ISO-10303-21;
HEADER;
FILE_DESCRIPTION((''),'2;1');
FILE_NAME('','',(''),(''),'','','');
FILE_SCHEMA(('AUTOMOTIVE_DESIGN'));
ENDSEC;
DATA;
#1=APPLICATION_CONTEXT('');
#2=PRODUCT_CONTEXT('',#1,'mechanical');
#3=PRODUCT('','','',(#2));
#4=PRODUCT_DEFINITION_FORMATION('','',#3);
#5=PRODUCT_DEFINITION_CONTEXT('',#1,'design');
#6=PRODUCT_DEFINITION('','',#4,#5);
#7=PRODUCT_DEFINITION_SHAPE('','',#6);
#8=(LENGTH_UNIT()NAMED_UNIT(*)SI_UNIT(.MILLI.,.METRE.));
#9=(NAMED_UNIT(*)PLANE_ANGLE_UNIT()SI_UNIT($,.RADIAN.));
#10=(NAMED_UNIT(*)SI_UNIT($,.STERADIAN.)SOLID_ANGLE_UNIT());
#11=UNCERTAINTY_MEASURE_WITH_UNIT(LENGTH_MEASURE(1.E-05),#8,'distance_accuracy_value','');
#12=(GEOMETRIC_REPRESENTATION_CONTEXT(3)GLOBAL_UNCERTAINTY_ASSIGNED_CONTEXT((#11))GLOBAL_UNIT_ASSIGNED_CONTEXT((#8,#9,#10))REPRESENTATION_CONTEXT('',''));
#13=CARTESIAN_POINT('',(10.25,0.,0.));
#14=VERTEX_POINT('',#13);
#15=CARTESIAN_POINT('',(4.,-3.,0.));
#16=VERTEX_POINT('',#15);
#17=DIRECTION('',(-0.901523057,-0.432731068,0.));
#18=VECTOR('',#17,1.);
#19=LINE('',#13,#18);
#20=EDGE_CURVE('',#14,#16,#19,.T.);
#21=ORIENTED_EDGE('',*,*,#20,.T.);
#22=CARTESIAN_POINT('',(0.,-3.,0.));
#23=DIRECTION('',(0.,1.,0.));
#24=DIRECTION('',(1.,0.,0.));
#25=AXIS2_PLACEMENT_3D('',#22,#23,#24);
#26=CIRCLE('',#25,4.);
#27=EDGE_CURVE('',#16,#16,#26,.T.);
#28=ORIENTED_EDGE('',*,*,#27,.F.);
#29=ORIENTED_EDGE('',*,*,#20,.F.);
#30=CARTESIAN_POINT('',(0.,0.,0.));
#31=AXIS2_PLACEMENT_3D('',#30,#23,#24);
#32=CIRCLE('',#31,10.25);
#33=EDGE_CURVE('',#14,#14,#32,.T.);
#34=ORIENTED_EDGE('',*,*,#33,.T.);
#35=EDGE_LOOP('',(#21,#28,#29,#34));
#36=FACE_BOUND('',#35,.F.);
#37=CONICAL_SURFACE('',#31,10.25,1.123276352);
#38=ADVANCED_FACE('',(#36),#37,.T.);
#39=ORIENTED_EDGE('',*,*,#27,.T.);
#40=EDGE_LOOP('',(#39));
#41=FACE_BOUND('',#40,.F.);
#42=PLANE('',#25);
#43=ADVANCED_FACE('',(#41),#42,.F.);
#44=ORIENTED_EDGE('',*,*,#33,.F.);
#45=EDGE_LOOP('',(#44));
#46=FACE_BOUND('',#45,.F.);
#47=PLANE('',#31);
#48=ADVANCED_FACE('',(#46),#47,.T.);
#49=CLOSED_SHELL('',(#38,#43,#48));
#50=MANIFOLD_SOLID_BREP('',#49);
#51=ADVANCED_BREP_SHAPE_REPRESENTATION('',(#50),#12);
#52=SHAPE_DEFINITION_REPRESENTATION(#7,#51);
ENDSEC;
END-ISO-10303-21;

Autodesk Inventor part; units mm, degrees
ref_plane "YZ Plane" through (0, 0, 0) normal (1, 0, 0) x (0, 1, 0)
ref_plane "XZ Plane" through (0, 0, 0) normal (0, 1, 0) x (-1, 0, 0)
ref_plane "XY Plane" through (0, 0, 0) normal (0, 0, 1) x (1, 0, 0)
sketch "Sketch1" plane through (0, 0, 0) normal (0, 0, 1) x (1, 0, 0)
  line L0 (0, 0) -> (10.25, 0)
  line L1 (10.25, 0) -> (4, -3)
  line L2 (4, -3) -> (0, -3)
  line L3 (0, -3) -> (0, 0)
  dimension "d0" = 10.25
  dimension "d1" = 4
  dimension "d2" = 3
revolve "Revolution1" add sketch "Sketch1" angle 360 about axis through (0, -3, 0) along (0, 1, 0)
properties part number "mirror_support"
